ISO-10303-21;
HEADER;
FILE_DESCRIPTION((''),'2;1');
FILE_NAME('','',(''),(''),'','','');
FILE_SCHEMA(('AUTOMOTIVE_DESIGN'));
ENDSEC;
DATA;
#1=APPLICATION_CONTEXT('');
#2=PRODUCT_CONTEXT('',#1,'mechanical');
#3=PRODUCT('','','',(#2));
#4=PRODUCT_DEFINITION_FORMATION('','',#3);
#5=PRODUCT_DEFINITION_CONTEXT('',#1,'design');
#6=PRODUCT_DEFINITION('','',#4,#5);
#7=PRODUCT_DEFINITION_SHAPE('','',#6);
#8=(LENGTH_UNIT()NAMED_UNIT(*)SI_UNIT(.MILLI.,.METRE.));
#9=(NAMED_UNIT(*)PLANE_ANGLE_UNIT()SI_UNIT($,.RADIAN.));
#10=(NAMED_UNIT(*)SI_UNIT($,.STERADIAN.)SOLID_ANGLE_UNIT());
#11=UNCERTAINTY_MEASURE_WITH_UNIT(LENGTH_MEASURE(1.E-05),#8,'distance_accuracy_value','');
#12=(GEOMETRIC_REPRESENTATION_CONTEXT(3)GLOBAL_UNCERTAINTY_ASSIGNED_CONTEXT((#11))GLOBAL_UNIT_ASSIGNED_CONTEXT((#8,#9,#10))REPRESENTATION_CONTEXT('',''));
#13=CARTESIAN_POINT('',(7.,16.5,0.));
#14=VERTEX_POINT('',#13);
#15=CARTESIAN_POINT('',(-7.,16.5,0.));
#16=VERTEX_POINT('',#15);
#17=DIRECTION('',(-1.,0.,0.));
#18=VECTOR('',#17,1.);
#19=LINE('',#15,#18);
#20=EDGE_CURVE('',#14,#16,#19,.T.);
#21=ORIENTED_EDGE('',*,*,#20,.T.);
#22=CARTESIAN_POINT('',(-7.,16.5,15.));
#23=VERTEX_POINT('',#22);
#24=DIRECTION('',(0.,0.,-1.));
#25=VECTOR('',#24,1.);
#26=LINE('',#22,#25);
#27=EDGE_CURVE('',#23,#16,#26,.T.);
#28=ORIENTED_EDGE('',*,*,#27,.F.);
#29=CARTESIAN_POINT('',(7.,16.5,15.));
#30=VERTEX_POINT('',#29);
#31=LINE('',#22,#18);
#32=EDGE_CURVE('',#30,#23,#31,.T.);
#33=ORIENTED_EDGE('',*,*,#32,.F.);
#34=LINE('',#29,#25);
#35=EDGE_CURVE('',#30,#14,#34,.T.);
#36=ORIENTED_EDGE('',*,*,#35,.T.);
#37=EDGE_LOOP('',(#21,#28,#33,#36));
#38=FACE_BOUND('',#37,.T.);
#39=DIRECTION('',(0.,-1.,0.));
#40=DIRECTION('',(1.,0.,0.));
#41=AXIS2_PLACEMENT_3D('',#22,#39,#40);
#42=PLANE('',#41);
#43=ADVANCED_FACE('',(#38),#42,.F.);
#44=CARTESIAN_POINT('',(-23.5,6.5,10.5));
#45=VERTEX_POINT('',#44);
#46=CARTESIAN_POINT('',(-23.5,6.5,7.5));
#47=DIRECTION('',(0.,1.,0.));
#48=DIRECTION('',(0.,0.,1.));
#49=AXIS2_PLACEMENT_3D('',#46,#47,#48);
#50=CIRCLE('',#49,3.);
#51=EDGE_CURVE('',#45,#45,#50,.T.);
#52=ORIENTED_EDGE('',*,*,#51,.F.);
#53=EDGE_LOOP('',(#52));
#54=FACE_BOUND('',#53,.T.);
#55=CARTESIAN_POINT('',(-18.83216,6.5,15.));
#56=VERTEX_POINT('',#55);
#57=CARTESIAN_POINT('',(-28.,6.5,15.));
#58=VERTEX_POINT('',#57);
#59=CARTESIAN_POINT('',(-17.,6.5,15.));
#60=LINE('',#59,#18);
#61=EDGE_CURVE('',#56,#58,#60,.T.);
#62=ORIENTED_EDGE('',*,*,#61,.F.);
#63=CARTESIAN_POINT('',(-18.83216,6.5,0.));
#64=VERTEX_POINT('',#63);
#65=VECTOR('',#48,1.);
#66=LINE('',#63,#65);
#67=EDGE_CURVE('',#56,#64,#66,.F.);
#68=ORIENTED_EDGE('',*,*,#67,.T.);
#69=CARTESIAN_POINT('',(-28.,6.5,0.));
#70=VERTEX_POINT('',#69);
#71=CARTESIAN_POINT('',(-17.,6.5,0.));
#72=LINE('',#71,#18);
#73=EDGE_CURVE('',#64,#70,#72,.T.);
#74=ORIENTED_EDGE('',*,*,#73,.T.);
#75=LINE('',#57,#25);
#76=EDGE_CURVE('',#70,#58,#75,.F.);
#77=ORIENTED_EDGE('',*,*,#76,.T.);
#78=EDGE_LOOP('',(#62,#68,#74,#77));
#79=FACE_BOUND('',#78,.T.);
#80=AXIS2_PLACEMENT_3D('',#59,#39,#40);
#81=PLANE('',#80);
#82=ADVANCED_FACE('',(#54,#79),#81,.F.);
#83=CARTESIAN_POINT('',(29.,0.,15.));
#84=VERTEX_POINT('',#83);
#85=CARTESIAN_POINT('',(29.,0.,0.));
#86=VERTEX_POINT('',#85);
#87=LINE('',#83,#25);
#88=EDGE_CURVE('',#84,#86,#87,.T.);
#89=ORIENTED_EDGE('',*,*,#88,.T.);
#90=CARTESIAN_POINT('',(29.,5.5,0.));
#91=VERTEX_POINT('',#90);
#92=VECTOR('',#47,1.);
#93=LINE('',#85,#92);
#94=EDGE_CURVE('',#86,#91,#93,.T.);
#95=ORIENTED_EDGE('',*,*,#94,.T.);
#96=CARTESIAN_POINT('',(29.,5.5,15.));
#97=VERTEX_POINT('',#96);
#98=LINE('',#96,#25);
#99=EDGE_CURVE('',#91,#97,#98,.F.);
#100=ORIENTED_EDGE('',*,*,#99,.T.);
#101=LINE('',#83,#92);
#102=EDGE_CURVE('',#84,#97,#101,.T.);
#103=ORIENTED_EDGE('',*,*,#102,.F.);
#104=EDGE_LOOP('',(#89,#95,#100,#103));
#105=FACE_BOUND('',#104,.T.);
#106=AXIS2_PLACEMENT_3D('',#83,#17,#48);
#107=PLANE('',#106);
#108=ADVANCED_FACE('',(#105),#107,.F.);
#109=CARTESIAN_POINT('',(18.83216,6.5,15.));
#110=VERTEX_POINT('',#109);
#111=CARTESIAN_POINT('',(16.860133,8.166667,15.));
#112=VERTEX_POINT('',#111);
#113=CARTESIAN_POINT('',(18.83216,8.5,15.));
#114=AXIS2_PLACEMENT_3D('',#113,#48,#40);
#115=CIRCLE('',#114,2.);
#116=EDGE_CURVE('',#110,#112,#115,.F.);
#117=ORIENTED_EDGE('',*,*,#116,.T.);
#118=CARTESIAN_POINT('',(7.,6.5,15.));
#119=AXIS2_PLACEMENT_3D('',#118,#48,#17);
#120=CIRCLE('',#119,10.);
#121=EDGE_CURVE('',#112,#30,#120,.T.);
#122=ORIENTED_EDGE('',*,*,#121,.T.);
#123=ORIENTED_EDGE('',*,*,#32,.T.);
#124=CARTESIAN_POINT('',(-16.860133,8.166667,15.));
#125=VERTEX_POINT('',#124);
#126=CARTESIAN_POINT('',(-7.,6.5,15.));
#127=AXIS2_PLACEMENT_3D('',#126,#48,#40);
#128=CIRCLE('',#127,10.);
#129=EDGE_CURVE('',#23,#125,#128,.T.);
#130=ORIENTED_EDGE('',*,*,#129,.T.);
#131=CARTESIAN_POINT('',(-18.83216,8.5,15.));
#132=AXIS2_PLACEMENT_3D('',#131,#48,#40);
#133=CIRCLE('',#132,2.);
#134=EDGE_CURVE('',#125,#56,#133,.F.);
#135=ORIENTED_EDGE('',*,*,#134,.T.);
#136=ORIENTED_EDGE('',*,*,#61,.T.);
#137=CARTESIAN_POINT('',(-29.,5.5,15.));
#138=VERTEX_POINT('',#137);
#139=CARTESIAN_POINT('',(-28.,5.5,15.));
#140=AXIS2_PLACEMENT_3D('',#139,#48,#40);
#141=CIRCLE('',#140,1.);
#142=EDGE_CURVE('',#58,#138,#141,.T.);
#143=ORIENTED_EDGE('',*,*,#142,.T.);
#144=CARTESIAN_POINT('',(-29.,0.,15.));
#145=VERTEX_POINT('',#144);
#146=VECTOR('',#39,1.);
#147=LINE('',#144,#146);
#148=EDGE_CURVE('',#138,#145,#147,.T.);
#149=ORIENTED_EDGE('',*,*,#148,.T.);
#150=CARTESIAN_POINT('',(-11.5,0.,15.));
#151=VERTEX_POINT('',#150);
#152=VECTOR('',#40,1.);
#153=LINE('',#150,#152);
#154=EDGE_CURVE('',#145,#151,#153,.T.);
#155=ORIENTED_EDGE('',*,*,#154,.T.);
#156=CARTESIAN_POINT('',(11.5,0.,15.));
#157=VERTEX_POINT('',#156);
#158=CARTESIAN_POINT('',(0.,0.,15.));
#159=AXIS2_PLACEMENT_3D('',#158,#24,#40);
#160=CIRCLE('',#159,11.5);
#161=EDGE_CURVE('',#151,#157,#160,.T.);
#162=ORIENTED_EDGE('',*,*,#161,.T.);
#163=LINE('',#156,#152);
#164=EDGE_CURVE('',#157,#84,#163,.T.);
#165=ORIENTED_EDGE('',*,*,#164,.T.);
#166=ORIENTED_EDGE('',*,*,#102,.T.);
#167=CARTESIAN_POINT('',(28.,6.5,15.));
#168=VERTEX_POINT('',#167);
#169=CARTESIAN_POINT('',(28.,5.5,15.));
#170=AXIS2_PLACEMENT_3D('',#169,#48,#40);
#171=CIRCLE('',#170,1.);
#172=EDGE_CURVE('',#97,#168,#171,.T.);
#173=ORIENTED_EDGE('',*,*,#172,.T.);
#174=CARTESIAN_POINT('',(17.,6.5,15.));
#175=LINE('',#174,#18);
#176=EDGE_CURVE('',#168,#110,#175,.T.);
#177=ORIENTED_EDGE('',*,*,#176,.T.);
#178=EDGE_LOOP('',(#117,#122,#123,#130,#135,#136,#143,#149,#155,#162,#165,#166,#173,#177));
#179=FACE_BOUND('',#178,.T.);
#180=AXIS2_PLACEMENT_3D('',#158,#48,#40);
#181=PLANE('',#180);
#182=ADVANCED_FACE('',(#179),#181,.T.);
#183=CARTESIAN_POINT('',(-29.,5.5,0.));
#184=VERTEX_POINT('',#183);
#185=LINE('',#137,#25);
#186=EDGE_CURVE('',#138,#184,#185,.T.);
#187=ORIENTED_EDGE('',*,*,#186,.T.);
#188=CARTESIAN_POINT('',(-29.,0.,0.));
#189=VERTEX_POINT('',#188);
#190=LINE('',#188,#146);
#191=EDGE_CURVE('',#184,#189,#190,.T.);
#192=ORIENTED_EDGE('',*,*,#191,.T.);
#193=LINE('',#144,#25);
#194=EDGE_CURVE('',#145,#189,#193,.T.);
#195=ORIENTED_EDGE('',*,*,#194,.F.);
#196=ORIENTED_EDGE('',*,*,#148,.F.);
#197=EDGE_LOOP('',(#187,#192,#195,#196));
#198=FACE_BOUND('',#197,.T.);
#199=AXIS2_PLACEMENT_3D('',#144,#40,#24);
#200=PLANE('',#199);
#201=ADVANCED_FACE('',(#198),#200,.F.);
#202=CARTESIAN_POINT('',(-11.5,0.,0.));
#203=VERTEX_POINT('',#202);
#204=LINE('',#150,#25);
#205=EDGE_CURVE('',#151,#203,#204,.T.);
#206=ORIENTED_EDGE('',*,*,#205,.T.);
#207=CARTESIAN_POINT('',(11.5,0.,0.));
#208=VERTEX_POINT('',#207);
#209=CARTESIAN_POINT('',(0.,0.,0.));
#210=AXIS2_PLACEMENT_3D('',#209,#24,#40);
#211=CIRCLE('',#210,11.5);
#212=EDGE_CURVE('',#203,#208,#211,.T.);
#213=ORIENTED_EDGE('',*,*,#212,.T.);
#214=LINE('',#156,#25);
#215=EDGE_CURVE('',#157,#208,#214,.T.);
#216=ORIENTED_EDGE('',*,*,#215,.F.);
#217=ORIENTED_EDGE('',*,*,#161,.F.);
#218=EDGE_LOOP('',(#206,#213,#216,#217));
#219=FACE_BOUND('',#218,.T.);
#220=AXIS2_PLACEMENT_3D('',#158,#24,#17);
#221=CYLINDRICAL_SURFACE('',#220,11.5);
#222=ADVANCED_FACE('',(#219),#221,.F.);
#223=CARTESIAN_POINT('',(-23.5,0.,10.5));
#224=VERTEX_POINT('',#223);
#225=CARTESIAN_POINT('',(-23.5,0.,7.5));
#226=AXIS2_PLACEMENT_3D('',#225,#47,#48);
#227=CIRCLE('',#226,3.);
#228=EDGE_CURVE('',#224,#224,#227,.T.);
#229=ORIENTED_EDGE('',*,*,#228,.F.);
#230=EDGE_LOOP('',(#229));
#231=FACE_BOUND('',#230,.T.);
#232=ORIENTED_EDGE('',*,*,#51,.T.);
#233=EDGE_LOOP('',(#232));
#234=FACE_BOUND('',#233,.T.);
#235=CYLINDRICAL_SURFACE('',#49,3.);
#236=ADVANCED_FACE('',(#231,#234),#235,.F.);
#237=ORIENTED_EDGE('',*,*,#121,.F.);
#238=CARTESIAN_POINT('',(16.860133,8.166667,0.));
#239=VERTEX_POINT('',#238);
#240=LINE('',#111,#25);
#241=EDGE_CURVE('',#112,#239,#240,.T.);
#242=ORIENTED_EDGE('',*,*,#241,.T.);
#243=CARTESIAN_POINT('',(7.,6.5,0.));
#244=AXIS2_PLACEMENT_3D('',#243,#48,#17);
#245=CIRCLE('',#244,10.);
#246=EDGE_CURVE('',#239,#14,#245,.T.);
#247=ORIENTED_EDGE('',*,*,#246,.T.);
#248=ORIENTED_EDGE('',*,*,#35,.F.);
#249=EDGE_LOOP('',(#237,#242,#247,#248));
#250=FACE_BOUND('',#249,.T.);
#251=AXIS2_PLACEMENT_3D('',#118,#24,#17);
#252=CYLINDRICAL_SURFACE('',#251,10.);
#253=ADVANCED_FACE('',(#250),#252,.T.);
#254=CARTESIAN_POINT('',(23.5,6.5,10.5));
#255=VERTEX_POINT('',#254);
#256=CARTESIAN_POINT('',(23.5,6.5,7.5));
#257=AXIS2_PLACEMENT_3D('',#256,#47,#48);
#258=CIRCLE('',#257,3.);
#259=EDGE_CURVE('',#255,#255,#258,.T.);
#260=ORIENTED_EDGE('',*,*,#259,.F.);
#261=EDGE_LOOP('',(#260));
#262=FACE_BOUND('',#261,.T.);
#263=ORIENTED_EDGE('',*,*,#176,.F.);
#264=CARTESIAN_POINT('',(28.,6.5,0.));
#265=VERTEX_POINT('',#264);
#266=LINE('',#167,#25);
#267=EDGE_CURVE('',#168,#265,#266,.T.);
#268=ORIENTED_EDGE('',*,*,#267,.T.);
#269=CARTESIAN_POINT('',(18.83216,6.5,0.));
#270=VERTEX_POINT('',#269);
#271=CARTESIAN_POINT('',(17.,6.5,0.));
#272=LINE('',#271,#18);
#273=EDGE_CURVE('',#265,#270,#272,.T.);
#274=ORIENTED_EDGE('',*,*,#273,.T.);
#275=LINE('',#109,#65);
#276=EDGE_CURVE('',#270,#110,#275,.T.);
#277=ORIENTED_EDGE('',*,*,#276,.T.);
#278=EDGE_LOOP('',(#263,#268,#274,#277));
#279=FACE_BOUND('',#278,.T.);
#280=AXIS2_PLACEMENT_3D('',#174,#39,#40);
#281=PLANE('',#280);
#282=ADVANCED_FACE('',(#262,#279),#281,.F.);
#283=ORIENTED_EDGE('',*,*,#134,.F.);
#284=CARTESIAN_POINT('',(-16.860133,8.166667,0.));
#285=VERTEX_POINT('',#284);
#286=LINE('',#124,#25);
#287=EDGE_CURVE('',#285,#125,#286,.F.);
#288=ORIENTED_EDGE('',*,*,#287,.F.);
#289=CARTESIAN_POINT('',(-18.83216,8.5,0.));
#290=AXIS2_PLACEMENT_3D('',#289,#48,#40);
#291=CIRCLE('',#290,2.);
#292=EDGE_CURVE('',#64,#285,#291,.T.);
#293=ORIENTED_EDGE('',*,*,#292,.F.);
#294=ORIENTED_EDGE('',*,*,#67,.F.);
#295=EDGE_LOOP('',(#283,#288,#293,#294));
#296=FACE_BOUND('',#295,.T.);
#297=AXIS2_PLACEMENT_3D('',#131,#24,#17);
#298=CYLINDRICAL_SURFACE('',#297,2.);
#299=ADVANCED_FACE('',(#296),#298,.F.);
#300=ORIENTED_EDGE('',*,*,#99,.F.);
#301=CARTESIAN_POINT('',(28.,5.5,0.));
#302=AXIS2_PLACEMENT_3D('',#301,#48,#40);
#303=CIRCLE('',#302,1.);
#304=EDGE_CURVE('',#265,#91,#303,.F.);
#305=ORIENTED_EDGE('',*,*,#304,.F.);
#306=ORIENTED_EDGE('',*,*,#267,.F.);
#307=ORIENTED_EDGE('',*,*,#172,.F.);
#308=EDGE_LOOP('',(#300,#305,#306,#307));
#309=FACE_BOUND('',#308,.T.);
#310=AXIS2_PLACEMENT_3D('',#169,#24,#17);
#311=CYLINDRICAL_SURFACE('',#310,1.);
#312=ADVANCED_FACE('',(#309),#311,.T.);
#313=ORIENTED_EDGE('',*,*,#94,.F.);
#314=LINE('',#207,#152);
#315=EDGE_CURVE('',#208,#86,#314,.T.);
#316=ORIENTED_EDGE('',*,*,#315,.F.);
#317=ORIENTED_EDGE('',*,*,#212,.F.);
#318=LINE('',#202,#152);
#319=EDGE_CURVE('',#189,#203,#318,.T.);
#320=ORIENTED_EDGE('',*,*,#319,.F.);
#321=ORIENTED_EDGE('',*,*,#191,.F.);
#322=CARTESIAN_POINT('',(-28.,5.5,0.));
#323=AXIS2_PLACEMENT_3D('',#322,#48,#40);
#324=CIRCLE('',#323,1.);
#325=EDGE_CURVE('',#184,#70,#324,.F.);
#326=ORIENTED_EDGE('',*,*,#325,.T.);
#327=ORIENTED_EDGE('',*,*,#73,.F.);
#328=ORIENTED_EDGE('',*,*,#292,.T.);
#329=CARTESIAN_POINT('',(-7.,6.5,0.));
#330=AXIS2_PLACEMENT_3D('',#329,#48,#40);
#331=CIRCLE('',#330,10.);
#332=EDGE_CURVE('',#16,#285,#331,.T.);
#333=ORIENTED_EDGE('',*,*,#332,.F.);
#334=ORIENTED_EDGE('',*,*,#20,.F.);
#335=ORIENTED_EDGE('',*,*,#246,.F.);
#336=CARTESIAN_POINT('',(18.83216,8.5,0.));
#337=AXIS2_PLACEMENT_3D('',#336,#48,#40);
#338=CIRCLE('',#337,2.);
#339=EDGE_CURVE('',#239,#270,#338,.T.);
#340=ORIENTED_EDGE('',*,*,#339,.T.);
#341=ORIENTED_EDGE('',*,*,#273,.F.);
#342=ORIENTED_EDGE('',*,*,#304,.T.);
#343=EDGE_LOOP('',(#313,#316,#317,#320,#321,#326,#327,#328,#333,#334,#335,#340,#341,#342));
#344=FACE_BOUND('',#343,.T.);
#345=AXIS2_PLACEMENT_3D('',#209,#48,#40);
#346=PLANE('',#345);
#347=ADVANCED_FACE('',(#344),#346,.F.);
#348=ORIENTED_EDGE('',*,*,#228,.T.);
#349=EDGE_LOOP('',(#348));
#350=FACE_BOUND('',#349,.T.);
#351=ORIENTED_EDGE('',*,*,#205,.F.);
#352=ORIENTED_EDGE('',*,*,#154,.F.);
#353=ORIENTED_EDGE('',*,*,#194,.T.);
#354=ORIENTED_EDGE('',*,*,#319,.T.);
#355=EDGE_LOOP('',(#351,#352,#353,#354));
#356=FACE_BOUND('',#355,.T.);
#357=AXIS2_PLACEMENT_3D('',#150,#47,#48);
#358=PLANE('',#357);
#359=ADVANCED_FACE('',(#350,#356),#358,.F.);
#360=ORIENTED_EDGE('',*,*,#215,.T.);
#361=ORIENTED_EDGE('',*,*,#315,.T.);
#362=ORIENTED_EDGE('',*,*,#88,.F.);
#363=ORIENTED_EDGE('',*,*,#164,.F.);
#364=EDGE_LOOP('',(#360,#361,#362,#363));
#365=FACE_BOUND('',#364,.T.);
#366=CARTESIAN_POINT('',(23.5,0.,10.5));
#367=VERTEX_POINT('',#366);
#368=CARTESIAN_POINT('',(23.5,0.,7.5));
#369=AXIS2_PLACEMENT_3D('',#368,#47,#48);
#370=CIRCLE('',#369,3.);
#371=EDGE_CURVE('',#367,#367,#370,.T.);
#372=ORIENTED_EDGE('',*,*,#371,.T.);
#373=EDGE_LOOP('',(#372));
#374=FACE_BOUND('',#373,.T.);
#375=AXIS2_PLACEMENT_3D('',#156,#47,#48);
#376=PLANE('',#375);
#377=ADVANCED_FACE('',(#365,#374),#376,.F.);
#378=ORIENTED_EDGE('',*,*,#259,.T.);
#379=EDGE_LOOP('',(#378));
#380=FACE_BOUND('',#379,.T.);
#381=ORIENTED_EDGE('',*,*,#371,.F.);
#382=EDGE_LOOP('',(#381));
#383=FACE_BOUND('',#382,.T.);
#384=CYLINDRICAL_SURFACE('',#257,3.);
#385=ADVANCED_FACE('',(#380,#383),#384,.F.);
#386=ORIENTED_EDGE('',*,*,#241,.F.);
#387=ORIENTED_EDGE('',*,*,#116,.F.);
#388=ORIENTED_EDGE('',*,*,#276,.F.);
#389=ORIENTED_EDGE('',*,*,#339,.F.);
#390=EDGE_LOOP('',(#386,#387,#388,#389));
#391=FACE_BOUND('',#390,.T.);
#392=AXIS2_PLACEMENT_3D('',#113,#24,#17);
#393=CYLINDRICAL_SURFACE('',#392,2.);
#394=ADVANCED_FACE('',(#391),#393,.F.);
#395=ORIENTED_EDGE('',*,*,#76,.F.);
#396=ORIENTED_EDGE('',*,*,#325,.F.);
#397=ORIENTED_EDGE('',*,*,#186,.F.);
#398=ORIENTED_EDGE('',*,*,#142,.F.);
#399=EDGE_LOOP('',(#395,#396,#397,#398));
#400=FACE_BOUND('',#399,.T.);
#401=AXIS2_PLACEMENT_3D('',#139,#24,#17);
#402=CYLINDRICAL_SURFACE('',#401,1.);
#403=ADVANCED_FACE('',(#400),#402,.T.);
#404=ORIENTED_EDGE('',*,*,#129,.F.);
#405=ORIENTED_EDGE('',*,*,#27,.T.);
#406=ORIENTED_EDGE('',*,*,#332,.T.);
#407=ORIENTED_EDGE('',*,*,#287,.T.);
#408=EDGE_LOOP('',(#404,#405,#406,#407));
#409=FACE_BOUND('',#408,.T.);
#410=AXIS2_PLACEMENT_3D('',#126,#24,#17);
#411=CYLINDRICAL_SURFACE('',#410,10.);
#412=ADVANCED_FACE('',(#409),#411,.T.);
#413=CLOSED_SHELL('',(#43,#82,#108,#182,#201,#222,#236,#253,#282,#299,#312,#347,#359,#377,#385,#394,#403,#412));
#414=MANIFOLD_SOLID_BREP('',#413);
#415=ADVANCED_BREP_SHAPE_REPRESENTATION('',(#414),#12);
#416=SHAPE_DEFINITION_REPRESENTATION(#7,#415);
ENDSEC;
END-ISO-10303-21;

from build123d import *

# Parameters (mm, degrees)
DODANIE_WYCI_GNI_CIE1_DEPTH = 15
ZAOKR_GLENIE1_R             = 2
OTWORY_USTALAJ_CE_6_0MM3_D  = 6
ZAOKR_GLENIE2_R             = 1


with BuildPart() as part:
    # Szkic1 → Dodanie-wyciągnięcie1 (new body)
    with BuildSketch(Plane.XY):
        with BuildLine():
            Line((-29, 0), (-29, 6.5))
            Line((-29, 6.5), (-17, 6.5))
            ThreePointArc((-17, 6.5), (-14.071067812, 13.571067812), (-7, 16.5))
            Line((-7, 16.5), (7, 16.5))
            ThreePointArc((7, 16.5), (14.071067812, 13.571067812), (17, 6.5))
            Line((17, 6.5), (29, 6.5))
            Line((29, 6.5), (29, 0))
            Line((29, 0), (11.5, 0))
            ThreePointArc((11.5, 0), (0, 11.5), (-11.5, 0))
            Line((-11.5, 0), (-29, 0))
        make_face()
    extrude(amount=DODANIE_WYCI_GNI_CIE1_DEPTH)

    # Zaokrąglenie1
    zaokr_glenie1_edges = [part.edges().sort_by_distance(p)[0] for p in [
        (-17, 6.5, 7.5),
        (17, 6.5, 7.5),
    ]]
    fillet(zaokr_glenie1_edges, radius=ZAOKR_GLENIE1_R)

    # Otwory ustalające Ø6.0mm3 (through all)
    with Locations(Plane(origin=(0, 6.5, 0), x_dir=(1, 0, 0), z_dir=(0, 1, 0))):
        with Locations((-23.5, -7.5)):
            otwory_ustalaj_ce_6_0mm3 = Hole(OTWORY_USTALAJ_CE_6_0MM3_D / 2)

    # Lustro1: Otwory ustalające Ø6.0mm3 across plane
    add(otwory_ustalaj_ce_6_0mm3.mirror(Plane(origin=(0, 0, 0), x_dir=(0, 0, 1), z_dir=(1, 0, 0))), mode=Mode.SUBTRACT)

    # Zaokrąglenie2
    zaokr_glenie2_edges = [part.edges().sort_by_distance(p)[0] for p in [
        (29, 6.5, 7.5),
        (-29, 6.5, 7.5),
    ]]
    fillet(zaokr_glenie2_edges, radius=ZAOKR_GLENIE2_R)


solid = part.part
